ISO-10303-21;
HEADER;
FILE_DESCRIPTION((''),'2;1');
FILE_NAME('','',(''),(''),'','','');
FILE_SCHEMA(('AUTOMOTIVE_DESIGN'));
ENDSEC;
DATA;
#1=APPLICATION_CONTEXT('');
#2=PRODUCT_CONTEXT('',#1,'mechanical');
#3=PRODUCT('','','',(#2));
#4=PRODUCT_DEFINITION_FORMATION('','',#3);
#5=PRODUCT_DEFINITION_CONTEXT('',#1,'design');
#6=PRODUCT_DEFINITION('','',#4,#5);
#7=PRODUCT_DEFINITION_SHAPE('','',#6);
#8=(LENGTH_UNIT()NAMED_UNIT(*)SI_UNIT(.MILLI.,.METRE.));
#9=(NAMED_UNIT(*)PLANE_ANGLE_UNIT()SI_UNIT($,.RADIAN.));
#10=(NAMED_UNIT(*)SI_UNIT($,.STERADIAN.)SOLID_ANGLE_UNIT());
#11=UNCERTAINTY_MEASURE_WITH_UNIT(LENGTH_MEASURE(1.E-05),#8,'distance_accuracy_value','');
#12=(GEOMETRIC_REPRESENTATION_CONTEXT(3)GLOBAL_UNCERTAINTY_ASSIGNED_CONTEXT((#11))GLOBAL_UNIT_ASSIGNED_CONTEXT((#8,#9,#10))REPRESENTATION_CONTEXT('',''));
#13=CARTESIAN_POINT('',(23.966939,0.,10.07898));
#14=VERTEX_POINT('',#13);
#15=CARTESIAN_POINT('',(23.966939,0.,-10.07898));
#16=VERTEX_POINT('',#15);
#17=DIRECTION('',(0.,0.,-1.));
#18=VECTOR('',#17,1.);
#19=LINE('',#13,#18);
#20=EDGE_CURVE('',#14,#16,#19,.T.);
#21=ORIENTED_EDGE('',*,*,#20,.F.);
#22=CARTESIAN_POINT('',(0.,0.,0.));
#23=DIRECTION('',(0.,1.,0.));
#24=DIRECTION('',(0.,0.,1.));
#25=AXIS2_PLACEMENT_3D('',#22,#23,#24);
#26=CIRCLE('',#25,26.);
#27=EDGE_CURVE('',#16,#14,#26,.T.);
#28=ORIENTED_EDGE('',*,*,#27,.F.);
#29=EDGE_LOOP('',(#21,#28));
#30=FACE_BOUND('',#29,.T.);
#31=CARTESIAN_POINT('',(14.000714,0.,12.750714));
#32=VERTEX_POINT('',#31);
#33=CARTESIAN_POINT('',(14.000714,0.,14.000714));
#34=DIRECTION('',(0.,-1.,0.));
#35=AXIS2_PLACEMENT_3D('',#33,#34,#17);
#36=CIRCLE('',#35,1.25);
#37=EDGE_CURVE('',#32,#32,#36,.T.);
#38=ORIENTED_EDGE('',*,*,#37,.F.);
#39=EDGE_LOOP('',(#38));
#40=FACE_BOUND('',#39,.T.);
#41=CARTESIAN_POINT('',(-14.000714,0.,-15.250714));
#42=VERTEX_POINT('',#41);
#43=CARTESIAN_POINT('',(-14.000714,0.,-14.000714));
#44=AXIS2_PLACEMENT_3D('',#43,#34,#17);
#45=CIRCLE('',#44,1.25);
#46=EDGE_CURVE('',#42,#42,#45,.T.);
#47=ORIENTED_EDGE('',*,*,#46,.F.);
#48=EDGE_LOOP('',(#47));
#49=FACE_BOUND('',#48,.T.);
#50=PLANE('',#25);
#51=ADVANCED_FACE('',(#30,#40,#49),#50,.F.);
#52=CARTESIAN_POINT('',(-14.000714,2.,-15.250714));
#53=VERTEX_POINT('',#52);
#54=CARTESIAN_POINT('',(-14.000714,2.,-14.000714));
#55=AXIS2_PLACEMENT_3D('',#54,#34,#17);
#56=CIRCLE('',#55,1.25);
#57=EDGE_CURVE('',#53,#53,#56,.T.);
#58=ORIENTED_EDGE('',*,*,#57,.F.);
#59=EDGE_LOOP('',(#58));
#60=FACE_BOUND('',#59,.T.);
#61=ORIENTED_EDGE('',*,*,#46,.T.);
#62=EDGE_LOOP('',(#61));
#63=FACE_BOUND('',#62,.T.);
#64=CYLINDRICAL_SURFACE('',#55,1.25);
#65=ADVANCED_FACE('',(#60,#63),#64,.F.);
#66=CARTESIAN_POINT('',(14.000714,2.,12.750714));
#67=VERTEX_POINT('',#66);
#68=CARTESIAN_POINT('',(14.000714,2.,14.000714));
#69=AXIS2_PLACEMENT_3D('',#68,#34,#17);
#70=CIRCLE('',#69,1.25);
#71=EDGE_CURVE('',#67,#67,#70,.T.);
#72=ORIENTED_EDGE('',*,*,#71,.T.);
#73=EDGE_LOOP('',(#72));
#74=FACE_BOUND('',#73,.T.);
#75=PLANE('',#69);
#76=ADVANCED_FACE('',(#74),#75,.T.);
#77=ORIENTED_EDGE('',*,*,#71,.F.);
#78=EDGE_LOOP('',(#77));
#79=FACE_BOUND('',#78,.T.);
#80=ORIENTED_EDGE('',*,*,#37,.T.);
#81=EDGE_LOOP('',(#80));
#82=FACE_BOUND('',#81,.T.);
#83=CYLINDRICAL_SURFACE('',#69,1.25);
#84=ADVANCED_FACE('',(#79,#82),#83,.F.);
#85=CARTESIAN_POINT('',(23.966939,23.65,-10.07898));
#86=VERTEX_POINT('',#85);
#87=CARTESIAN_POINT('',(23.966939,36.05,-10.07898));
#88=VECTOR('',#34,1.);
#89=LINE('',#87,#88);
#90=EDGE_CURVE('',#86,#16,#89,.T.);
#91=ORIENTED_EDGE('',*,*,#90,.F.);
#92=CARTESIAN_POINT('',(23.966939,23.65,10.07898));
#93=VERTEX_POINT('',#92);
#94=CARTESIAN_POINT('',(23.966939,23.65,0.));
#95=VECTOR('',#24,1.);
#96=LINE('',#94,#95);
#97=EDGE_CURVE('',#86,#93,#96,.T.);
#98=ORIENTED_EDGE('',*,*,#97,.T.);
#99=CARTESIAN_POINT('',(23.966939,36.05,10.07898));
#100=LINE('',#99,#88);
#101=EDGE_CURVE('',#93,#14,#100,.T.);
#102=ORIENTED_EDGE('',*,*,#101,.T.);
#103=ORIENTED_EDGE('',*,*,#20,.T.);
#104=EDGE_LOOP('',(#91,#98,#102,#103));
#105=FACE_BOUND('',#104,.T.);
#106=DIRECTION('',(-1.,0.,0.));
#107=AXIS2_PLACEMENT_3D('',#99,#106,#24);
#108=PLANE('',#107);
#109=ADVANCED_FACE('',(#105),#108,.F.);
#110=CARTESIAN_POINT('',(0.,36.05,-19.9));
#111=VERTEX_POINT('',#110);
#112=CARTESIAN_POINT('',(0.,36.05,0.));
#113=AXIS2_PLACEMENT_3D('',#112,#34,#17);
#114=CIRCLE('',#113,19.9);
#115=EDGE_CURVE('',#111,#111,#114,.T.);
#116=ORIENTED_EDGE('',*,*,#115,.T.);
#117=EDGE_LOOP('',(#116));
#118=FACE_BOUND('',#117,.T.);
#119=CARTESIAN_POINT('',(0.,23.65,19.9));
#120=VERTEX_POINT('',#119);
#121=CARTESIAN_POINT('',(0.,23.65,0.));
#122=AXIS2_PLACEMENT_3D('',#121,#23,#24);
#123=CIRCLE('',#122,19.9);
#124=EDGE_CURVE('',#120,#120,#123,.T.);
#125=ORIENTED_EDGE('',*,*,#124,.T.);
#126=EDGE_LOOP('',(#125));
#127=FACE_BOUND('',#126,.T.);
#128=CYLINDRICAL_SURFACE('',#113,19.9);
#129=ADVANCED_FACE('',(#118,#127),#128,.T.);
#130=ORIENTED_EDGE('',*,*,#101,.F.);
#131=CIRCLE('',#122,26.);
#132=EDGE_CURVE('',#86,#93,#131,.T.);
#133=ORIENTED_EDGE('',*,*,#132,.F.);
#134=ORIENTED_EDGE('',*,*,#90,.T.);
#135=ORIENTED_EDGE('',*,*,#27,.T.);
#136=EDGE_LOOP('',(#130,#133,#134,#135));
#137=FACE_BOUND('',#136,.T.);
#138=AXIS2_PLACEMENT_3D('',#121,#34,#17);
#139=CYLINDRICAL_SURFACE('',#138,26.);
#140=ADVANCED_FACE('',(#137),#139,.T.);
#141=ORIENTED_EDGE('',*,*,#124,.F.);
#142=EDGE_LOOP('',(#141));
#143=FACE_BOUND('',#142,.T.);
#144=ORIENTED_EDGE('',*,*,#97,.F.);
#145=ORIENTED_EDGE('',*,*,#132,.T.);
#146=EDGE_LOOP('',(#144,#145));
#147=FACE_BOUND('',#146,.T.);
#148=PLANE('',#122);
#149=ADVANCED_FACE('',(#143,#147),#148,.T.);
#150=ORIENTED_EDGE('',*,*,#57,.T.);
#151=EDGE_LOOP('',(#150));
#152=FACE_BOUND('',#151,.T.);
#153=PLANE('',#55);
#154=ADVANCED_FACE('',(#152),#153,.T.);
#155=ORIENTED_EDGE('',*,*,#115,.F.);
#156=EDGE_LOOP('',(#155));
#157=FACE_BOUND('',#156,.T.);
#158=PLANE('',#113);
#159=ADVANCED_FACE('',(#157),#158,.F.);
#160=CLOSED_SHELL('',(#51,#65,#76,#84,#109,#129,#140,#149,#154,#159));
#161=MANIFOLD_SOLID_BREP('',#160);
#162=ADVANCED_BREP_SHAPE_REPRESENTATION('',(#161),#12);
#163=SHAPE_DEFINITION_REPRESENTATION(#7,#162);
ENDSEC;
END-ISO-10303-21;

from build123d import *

# Parameters (mm, degrees)
SKETCH_1_R          = 26
EXTRUDE_1_DEPTH     = 23.65
SKETCH_2_R          = 19.9
EXTRUDE_2_DEPTH     = 36.05
CUT_EXTRUDE_1_DEPTH = 36.05
SKETCH_4_R          = 1.25
CUT_EXTRUDE_2_DEPTH = 2


with BuildPart() as part:
    # 草图1 → 凸台-拉伸1 (new body)
    with BuildSketch(Plane(origin=(0, 0, 0), x_dir=(1, 0, 0), z_dir=(0, 1, 0))):
        Circle(SKETCH_1_R)
    extrude(amount=EXTRUDE_1_DEPTH)

    # 草图2 → 凸台-拉伸2 (add)
    with BuildSketch(Plane.XZ):
        Circle(SKETCH_2_R)
    extrude(amount=-EXTRUDE_2_DEPTH)

    # 草图3 → 切除-拉伸1 (cut)
    with BuildSketch(Plane.XZ):
        with BuildLine():
            Line((23.966938911, 10.078980068), (23.966938911, -10.078980068))
            ThreePointArc((23.966938911, -10.078980068), (26, 0), (23.966938911, 10.078980068))
        make_face()
    extrude(amount=-CUT_EXTRUDE_1_DEPTH, mode=Mode.SUBTRACT)

    # 草图4 → 切除-拉伸2 (cut)
    with BuildSketch(Plane.XZ):
        with Locations((-14.000714267, -14.000714267)):
            Circle(SKETCH_4_R)
        with Locations((14.000714267, 14.000714267)):
            Circle(SKETCH_4_R)
    extrude(amount=-CUT_EXTRUDE_2_DEPTH, mode=Mode.SUBTRACT)


solid = part.part
